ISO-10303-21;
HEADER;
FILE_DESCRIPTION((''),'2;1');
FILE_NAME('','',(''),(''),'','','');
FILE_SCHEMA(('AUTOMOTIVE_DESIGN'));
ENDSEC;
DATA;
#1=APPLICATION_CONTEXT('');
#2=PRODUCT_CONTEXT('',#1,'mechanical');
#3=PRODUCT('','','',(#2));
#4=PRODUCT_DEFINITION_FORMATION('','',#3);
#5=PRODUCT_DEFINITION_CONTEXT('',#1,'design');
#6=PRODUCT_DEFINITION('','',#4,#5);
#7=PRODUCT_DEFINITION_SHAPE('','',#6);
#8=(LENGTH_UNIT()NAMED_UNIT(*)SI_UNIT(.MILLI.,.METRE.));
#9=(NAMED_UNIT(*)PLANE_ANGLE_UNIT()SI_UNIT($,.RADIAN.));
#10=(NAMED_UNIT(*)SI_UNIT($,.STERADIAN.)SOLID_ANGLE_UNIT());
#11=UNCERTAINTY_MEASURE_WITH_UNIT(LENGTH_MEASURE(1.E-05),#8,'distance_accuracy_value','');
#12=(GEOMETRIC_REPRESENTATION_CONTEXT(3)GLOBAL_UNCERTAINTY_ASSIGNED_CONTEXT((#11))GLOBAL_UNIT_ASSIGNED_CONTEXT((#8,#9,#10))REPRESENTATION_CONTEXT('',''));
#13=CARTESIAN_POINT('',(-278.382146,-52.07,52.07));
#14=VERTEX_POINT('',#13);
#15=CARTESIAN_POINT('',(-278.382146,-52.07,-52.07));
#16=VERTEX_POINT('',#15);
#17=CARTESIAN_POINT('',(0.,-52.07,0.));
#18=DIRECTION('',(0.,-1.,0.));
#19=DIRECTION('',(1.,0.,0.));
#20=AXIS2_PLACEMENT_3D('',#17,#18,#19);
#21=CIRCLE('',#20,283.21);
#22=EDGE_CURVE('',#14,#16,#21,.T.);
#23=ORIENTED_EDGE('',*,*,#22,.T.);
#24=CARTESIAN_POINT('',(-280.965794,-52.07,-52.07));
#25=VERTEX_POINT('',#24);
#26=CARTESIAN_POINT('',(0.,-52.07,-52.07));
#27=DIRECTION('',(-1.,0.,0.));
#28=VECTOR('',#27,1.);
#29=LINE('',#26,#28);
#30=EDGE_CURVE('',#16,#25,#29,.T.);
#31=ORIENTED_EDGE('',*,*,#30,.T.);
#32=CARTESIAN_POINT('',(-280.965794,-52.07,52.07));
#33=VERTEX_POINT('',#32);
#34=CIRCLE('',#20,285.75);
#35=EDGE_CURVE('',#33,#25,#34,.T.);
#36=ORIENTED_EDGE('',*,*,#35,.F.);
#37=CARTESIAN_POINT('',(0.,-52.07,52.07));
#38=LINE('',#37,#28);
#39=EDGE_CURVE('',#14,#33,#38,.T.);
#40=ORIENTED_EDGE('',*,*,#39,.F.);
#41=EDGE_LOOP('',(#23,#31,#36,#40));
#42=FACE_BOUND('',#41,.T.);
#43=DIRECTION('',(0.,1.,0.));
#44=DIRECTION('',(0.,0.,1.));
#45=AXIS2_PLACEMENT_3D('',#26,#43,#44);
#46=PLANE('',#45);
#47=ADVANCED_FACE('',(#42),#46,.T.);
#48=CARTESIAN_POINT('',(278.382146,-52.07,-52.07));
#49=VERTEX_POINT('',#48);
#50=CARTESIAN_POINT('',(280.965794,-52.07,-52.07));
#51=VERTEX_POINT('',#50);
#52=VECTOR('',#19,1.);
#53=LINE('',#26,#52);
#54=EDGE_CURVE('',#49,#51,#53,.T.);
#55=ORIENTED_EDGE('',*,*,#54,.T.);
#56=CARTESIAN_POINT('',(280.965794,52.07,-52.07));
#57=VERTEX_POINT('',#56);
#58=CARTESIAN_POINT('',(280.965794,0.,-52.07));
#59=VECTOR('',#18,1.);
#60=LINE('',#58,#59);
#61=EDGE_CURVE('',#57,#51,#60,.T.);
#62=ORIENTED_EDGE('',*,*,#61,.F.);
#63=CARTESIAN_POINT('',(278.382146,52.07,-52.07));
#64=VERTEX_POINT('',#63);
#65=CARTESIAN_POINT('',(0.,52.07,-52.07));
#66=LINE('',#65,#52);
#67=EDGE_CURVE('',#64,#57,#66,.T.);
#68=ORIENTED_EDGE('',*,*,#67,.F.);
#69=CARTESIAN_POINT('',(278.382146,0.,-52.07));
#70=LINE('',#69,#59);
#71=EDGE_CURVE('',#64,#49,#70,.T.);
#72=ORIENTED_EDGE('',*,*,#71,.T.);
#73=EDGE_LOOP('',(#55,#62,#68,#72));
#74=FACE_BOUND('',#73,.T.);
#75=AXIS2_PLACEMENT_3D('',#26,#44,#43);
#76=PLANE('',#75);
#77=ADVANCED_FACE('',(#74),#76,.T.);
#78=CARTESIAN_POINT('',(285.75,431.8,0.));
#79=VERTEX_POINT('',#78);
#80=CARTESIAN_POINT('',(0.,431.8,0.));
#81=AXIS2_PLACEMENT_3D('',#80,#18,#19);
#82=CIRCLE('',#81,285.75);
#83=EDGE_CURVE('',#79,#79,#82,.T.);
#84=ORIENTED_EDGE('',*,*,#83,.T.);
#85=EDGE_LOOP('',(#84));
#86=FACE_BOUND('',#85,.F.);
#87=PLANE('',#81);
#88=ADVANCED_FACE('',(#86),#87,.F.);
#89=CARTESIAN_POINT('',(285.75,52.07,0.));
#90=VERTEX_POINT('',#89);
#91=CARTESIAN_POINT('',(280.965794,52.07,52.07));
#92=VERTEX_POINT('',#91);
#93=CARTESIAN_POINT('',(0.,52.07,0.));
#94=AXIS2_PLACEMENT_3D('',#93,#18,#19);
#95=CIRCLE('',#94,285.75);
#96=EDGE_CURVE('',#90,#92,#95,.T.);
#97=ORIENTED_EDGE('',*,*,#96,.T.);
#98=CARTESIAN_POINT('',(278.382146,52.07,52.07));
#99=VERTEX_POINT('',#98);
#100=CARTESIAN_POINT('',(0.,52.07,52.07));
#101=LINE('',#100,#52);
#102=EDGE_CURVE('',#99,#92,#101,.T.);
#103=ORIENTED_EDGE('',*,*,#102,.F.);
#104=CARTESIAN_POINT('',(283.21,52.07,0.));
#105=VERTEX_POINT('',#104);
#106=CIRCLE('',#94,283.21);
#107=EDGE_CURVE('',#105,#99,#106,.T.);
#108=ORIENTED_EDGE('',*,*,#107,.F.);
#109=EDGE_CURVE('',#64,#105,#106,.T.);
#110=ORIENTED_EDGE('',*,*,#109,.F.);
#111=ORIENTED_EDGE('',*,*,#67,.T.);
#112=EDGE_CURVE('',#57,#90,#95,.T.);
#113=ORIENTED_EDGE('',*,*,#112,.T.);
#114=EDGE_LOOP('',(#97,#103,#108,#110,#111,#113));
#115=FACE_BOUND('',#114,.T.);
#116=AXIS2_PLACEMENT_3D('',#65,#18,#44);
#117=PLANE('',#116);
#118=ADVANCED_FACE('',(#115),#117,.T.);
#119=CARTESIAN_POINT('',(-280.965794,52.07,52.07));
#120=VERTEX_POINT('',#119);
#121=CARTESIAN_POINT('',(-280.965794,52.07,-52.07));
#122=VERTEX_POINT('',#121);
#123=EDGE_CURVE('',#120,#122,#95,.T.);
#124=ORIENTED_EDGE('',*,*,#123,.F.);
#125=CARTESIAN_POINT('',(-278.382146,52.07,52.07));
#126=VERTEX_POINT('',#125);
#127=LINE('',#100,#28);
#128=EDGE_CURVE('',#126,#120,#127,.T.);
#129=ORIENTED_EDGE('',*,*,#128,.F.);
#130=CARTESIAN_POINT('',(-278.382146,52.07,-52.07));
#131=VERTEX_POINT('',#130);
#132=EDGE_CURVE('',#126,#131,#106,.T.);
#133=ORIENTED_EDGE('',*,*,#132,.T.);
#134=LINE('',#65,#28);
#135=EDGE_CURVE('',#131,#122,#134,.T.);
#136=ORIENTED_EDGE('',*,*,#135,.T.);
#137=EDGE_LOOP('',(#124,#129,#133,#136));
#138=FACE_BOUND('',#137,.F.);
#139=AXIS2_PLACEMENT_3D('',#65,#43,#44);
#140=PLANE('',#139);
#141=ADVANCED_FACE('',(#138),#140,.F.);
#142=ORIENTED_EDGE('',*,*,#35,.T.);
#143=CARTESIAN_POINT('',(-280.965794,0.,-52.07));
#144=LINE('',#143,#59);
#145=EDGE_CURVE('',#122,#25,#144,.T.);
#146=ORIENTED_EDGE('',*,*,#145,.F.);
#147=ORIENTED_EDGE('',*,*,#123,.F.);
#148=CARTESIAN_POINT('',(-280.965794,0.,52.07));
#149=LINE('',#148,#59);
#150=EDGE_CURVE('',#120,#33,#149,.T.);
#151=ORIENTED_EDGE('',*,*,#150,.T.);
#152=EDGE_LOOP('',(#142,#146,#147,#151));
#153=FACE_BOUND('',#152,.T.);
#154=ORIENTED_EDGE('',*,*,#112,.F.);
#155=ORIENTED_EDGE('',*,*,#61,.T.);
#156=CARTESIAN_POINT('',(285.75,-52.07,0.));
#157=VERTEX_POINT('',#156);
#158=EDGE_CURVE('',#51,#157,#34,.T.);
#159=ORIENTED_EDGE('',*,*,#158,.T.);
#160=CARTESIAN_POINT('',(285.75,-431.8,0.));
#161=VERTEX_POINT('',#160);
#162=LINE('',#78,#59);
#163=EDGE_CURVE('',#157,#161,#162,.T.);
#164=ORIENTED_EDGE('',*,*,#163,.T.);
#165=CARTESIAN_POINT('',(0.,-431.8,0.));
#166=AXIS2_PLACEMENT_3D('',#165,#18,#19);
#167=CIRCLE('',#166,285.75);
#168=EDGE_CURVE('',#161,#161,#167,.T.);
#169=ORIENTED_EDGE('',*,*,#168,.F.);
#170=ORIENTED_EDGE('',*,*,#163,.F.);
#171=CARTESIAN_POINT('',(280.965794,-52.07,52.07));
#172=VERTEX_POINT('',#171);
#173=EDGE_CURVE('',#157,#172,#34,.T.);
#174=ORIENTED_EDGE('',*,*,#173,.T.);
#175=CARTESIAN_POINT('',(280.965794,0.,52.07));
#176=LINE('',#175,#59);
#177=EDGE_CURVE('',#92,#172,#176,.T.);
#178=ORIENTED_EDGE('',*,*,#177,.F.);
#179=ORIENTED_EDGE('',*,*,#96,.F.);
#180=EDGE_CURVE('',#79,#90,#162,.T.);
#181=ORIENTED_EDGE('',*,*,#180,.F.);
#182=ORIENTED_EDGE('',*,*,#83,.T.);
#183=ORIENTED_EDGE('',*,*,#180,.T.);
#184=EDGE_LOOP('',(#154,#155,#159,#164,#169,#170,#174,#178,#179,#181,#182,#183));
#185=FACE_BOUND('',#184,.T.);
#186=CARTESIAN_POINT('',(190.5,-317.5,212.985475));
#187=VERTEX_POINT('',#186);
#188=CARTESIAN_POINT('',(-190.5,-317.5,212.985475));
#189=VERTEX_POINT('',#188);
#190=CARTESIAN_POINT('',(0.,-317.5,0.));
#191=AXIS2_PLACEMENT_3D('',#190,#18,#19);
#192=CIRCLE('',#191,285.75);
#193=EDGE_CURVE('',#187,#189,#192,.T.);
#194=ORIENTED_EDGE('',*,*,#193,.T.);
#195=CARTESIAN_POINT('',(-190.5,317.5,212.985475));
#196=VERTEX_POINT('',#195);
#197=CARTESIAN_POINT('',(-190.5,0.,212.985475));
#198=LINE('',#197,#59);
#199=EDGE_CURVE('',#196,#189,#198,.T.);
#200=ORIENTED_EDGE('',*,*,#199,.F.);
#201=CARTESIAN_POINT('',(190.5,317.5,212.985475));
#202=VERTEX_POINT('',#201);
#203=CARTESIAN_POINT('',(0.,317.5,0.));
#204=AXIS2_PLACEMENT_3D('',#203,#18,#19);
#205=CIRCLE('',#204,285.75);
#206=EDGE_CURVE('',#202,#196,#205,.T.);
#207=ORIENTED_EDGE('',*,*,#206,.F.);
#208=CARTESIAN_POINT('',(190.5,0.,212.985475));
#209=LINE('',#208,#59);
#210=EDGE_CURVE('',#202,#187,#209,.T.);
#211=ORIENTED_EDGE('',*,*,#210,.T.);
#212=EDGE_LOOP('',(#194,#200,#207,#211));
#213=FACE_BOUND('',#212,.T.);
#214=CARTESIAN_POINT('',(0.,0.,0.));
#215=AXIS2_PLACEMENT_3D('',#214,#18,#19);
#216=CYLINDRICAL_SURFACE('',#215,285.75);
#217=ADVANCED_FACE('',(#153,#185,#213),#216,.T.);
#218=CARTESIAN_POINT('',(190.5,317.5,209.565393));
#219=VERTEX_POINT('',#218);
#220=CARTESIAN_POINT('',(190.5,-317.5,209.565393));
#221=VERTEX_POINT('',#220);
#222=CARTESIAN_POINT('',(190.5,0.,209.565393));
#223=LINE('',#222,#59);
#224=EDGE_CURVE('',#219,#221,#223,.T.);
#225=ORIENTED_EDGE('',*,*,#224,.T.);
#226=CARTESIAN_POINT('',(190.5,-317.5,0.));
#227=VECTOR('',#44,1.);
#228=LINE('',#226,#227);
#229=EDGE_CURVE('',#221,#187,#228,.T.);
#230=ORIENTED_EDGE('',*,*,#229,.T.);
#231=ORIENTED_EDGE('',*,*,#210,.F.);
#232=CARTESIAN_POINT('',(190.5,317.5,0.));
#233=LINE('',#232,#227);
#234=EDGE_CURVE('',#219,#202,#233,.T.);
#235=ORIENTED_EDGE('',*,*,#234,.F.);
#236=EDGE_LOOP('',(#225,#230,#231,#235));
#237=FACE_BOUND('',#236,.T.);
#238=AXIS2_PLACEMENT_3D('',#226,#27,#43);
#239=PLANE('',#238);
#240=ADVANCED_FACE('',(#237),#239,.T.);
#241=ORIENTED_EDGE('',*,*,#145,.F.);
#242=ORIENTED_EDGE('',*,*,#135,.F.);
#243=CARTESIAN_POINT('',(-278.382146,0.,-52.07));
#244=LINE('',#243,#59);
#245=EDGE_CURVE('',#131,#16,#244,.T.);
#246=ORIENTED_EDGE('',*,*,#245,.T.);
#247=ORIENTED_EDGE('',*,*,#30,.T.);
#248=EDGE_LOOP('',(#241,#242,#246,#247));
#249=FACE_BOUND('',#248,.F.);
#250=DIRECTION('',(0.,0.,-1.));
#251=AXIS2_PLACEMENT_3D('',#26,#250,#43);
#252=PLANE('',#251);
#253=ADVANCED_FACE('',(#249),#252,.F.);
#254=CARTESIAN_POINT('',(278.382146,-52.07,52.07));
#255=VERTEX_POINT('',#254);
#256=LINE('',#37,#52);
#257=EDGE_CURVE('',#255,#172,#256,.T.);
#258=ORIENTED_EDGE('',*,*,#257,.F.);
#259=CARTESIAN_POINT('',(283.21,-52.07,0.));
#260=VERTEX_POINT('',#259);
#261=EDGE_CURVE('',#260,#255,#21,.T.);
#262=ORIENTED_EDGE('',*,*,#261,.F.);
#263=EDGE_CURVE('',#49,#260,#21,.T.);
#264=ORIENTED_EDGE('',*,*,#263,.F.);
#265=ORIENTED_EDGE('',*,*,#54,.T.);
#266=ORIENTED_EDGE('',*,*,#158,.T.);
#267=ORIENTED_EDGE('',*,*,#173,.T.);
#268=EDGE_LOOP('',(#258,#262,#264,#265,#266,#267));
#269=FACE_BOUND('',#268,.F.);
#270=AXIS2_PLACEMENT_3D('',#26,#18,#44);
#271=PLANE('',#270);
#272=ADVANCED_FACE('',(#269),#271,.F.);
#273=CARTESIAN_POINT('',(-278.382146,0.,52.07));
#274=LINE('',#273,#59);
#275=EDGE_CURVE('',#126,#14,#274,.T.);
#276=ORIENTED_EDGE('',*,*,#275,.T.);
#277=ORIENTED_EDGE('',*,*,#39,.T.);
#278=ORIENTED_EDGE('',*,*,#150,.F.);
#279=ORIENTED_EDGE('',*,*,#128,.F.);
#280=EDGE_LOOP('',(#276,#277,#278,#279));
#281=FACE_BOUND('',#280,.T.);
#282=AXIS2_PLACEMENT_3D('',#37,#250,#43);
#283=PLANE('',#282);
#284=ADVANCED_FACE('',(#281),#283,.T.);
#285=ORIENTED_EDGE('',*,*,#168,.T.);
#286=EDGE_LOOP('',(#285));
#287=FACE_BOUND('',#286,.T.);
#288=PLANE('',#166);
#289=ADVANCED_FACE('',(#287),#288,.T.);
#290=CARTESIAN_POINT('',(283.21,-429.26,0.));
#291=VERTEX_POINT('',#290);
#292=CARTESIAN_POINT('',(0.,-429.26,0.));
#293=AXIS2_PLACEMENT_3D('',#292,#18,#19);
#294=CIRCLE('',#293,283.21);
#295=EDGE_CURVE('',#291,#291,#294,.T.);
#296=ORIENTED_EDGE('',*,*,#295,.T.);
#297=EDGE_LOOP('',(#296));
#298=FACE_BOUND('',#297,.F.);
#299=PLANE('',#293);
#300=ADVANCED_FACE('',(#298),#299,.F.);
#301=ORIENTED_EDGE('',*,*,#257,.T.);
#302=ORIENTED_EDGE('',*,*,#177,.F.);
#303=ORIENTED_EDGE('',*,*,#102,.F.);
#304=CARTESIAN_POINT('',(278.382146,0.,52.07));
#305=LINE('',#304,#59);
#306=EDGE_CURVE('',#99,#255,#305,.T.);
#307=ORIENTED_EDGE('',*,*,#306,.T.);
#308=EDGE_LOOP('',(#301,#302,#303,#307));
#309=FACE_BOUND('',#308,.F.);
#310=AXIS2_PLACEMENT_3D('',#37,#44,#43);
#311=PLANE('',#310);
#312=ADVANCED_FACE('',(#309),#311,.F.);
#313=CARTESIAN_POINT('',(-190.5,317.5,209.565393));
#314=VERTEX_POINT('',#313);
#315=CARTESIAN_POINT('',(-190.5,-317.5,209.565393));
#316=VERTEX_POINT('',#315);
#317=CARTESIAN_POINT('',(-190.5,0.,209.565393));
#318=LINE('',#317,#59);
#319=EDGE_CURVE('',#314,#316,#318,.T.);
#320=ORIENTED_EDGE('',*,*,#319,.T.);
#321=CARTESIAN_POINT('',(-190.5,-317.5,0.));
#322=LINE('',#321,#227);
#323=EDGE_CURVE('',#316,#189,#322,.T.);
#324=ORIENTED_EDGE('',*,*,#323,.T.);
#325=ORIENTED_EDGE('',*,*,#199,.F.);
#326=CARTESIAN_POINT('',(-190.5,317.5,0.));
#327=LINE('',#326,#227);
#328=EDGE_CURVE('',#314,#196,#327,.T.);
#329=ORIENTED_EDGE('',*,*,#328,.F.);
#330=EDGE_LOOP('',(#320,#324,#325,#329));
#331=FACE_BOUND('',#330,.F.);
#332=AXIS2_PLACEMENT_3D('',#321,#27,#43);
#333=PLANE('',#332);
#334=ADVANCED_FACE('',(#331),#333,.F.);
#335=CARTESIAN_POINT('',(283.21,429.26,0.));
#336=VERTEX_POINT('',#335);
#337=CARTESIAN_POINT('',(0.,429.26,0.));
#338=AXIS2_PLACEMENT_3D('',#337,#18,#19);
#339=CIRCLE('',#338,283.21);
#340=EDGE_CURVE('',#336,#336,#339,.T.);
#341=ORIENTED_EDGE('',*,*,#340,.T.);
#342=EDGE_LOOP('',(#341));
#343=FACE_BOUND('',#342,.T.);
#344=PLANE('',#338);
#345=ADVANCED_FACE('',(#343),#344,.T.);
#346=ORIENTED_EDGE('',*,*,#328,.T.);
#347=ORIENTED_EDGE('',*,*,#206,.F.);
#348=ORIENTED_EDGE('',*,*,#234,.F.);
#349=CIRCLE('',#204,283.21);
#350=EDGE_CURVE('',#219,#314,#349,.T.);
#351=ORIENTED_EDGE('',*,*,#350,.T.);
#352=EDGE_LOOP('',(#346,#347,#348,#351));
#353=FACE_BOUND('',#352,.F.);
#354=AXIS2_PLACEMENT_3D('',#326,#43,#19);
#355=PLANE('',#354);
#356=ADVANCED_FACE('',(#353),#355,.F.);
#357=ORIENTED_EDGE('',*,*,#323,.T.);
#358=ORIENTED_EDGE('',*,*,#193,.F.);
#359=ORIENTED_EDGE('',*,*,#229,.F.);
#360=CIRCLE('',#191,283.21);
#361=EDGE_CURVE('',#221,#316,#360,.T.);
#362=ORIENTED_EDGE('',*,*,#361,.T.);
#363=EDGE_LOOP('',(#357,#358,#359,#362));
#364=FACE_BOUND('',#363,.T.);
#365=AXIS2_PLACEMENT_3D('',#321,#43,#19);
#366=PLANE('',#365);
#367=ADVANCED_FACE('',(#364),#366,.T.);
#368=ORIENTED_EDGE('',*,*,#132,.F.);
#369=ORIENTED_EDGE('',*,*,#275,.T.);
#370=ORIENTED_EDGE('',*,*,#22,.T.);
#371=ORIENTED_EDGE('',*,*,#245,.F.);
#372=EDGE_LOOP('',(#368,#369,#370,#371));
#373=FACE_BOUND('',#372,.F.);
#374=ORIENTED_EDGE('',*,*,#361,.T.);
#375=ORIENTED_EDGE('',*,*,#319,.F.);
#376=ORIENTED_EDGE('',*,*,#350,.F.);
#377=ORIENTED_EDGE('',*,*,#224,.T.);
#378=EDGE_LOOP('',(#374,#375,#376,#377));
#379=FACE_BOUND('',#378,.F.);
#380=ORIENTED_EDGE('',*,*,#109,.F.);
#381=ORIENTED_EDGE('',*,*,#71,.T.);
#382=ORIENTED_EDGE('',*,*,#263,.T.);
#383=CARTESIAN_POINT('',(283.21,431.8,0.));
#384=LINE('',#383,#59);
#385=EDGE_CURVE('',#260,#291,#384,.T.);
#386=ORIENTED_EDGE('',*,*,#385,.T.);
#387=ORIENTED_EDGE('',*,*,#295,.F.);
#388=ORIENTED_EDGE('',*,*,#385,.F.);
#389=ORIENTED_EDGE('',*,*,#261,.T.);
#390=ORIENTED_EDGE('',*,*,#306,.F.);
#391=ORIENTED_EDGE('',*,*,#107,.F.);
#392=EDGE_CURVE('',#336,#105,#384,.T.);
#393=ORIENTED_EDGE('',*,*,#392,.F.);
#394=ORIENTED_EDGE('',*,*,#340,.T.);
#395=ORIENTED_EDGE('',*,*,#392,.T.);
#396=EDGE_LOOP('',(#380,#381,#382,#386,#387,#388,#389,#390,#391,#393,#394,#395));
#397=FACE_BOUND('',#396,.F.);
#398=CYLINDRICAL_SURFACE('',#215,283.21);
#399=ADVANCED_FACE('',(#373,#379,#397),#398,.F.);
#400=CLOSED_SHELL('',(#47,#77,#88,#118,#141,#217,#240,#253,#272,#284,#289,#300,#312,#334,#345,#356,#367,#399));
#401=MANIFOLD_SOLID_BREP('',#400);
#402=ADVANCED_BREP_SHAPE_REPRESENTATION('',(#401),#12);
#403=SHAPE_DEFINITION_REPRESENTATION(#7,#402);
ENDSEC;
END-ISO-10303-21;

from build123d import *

# Parameters (mm, degrees)
F0_R          = 285.75
F1_DEPTH      = 431.8
F2_W          = 381
F2_H          = 635
F3_DEPTH      = 452.12
F4_T          = -2.54
F5_W          = 104.14
F5_H          = 104.14
F6_DEPTH      = 285.751
F6_DEPTH_BACK = 285.751


with BuildPart() as f1:
    # F0 (on Front) → F1 (new body, symmetric)
    with BuildSketch(Plane.XZ):
        Circle(F0_R)
    extrude(amount=F1_DEPTH, both=True)

    # F2 (on Top) → F3 (cut)
    with BuildSketch(Plane.XY):
        Rectangle(F2_W, F2_H)
    extrude(amount=F3_DEPTH, mode=Mode.SUBTRACT)

    # F4
    f4_openings = [f1.faces().sort_by_distance(p)[0] for p in [
        (0, 317.5, 132.295443),
        (-190.5, 0, 106.492737),
        (0, 0, 0),
        (0, -317.5, 132.295443),
        (190.5, 0, 106.492737),
    ]]
    offset(amount=F4_T, openings=f4_openings)

    # F5 (on Right) → F6 (cut, two sides)
    with BuildSketch(Plane.YZ) as f6_sk:
        Rectangle(F5_W, F5_H)
    extrude(amount=-F6_DEPTH, mode=Mode.SUBTRACT)
    extrude(f6_sk.sketch, amount=F6_DEPTH_BACK, mode=Mode.SUBTRACT)


solid = f1.part
